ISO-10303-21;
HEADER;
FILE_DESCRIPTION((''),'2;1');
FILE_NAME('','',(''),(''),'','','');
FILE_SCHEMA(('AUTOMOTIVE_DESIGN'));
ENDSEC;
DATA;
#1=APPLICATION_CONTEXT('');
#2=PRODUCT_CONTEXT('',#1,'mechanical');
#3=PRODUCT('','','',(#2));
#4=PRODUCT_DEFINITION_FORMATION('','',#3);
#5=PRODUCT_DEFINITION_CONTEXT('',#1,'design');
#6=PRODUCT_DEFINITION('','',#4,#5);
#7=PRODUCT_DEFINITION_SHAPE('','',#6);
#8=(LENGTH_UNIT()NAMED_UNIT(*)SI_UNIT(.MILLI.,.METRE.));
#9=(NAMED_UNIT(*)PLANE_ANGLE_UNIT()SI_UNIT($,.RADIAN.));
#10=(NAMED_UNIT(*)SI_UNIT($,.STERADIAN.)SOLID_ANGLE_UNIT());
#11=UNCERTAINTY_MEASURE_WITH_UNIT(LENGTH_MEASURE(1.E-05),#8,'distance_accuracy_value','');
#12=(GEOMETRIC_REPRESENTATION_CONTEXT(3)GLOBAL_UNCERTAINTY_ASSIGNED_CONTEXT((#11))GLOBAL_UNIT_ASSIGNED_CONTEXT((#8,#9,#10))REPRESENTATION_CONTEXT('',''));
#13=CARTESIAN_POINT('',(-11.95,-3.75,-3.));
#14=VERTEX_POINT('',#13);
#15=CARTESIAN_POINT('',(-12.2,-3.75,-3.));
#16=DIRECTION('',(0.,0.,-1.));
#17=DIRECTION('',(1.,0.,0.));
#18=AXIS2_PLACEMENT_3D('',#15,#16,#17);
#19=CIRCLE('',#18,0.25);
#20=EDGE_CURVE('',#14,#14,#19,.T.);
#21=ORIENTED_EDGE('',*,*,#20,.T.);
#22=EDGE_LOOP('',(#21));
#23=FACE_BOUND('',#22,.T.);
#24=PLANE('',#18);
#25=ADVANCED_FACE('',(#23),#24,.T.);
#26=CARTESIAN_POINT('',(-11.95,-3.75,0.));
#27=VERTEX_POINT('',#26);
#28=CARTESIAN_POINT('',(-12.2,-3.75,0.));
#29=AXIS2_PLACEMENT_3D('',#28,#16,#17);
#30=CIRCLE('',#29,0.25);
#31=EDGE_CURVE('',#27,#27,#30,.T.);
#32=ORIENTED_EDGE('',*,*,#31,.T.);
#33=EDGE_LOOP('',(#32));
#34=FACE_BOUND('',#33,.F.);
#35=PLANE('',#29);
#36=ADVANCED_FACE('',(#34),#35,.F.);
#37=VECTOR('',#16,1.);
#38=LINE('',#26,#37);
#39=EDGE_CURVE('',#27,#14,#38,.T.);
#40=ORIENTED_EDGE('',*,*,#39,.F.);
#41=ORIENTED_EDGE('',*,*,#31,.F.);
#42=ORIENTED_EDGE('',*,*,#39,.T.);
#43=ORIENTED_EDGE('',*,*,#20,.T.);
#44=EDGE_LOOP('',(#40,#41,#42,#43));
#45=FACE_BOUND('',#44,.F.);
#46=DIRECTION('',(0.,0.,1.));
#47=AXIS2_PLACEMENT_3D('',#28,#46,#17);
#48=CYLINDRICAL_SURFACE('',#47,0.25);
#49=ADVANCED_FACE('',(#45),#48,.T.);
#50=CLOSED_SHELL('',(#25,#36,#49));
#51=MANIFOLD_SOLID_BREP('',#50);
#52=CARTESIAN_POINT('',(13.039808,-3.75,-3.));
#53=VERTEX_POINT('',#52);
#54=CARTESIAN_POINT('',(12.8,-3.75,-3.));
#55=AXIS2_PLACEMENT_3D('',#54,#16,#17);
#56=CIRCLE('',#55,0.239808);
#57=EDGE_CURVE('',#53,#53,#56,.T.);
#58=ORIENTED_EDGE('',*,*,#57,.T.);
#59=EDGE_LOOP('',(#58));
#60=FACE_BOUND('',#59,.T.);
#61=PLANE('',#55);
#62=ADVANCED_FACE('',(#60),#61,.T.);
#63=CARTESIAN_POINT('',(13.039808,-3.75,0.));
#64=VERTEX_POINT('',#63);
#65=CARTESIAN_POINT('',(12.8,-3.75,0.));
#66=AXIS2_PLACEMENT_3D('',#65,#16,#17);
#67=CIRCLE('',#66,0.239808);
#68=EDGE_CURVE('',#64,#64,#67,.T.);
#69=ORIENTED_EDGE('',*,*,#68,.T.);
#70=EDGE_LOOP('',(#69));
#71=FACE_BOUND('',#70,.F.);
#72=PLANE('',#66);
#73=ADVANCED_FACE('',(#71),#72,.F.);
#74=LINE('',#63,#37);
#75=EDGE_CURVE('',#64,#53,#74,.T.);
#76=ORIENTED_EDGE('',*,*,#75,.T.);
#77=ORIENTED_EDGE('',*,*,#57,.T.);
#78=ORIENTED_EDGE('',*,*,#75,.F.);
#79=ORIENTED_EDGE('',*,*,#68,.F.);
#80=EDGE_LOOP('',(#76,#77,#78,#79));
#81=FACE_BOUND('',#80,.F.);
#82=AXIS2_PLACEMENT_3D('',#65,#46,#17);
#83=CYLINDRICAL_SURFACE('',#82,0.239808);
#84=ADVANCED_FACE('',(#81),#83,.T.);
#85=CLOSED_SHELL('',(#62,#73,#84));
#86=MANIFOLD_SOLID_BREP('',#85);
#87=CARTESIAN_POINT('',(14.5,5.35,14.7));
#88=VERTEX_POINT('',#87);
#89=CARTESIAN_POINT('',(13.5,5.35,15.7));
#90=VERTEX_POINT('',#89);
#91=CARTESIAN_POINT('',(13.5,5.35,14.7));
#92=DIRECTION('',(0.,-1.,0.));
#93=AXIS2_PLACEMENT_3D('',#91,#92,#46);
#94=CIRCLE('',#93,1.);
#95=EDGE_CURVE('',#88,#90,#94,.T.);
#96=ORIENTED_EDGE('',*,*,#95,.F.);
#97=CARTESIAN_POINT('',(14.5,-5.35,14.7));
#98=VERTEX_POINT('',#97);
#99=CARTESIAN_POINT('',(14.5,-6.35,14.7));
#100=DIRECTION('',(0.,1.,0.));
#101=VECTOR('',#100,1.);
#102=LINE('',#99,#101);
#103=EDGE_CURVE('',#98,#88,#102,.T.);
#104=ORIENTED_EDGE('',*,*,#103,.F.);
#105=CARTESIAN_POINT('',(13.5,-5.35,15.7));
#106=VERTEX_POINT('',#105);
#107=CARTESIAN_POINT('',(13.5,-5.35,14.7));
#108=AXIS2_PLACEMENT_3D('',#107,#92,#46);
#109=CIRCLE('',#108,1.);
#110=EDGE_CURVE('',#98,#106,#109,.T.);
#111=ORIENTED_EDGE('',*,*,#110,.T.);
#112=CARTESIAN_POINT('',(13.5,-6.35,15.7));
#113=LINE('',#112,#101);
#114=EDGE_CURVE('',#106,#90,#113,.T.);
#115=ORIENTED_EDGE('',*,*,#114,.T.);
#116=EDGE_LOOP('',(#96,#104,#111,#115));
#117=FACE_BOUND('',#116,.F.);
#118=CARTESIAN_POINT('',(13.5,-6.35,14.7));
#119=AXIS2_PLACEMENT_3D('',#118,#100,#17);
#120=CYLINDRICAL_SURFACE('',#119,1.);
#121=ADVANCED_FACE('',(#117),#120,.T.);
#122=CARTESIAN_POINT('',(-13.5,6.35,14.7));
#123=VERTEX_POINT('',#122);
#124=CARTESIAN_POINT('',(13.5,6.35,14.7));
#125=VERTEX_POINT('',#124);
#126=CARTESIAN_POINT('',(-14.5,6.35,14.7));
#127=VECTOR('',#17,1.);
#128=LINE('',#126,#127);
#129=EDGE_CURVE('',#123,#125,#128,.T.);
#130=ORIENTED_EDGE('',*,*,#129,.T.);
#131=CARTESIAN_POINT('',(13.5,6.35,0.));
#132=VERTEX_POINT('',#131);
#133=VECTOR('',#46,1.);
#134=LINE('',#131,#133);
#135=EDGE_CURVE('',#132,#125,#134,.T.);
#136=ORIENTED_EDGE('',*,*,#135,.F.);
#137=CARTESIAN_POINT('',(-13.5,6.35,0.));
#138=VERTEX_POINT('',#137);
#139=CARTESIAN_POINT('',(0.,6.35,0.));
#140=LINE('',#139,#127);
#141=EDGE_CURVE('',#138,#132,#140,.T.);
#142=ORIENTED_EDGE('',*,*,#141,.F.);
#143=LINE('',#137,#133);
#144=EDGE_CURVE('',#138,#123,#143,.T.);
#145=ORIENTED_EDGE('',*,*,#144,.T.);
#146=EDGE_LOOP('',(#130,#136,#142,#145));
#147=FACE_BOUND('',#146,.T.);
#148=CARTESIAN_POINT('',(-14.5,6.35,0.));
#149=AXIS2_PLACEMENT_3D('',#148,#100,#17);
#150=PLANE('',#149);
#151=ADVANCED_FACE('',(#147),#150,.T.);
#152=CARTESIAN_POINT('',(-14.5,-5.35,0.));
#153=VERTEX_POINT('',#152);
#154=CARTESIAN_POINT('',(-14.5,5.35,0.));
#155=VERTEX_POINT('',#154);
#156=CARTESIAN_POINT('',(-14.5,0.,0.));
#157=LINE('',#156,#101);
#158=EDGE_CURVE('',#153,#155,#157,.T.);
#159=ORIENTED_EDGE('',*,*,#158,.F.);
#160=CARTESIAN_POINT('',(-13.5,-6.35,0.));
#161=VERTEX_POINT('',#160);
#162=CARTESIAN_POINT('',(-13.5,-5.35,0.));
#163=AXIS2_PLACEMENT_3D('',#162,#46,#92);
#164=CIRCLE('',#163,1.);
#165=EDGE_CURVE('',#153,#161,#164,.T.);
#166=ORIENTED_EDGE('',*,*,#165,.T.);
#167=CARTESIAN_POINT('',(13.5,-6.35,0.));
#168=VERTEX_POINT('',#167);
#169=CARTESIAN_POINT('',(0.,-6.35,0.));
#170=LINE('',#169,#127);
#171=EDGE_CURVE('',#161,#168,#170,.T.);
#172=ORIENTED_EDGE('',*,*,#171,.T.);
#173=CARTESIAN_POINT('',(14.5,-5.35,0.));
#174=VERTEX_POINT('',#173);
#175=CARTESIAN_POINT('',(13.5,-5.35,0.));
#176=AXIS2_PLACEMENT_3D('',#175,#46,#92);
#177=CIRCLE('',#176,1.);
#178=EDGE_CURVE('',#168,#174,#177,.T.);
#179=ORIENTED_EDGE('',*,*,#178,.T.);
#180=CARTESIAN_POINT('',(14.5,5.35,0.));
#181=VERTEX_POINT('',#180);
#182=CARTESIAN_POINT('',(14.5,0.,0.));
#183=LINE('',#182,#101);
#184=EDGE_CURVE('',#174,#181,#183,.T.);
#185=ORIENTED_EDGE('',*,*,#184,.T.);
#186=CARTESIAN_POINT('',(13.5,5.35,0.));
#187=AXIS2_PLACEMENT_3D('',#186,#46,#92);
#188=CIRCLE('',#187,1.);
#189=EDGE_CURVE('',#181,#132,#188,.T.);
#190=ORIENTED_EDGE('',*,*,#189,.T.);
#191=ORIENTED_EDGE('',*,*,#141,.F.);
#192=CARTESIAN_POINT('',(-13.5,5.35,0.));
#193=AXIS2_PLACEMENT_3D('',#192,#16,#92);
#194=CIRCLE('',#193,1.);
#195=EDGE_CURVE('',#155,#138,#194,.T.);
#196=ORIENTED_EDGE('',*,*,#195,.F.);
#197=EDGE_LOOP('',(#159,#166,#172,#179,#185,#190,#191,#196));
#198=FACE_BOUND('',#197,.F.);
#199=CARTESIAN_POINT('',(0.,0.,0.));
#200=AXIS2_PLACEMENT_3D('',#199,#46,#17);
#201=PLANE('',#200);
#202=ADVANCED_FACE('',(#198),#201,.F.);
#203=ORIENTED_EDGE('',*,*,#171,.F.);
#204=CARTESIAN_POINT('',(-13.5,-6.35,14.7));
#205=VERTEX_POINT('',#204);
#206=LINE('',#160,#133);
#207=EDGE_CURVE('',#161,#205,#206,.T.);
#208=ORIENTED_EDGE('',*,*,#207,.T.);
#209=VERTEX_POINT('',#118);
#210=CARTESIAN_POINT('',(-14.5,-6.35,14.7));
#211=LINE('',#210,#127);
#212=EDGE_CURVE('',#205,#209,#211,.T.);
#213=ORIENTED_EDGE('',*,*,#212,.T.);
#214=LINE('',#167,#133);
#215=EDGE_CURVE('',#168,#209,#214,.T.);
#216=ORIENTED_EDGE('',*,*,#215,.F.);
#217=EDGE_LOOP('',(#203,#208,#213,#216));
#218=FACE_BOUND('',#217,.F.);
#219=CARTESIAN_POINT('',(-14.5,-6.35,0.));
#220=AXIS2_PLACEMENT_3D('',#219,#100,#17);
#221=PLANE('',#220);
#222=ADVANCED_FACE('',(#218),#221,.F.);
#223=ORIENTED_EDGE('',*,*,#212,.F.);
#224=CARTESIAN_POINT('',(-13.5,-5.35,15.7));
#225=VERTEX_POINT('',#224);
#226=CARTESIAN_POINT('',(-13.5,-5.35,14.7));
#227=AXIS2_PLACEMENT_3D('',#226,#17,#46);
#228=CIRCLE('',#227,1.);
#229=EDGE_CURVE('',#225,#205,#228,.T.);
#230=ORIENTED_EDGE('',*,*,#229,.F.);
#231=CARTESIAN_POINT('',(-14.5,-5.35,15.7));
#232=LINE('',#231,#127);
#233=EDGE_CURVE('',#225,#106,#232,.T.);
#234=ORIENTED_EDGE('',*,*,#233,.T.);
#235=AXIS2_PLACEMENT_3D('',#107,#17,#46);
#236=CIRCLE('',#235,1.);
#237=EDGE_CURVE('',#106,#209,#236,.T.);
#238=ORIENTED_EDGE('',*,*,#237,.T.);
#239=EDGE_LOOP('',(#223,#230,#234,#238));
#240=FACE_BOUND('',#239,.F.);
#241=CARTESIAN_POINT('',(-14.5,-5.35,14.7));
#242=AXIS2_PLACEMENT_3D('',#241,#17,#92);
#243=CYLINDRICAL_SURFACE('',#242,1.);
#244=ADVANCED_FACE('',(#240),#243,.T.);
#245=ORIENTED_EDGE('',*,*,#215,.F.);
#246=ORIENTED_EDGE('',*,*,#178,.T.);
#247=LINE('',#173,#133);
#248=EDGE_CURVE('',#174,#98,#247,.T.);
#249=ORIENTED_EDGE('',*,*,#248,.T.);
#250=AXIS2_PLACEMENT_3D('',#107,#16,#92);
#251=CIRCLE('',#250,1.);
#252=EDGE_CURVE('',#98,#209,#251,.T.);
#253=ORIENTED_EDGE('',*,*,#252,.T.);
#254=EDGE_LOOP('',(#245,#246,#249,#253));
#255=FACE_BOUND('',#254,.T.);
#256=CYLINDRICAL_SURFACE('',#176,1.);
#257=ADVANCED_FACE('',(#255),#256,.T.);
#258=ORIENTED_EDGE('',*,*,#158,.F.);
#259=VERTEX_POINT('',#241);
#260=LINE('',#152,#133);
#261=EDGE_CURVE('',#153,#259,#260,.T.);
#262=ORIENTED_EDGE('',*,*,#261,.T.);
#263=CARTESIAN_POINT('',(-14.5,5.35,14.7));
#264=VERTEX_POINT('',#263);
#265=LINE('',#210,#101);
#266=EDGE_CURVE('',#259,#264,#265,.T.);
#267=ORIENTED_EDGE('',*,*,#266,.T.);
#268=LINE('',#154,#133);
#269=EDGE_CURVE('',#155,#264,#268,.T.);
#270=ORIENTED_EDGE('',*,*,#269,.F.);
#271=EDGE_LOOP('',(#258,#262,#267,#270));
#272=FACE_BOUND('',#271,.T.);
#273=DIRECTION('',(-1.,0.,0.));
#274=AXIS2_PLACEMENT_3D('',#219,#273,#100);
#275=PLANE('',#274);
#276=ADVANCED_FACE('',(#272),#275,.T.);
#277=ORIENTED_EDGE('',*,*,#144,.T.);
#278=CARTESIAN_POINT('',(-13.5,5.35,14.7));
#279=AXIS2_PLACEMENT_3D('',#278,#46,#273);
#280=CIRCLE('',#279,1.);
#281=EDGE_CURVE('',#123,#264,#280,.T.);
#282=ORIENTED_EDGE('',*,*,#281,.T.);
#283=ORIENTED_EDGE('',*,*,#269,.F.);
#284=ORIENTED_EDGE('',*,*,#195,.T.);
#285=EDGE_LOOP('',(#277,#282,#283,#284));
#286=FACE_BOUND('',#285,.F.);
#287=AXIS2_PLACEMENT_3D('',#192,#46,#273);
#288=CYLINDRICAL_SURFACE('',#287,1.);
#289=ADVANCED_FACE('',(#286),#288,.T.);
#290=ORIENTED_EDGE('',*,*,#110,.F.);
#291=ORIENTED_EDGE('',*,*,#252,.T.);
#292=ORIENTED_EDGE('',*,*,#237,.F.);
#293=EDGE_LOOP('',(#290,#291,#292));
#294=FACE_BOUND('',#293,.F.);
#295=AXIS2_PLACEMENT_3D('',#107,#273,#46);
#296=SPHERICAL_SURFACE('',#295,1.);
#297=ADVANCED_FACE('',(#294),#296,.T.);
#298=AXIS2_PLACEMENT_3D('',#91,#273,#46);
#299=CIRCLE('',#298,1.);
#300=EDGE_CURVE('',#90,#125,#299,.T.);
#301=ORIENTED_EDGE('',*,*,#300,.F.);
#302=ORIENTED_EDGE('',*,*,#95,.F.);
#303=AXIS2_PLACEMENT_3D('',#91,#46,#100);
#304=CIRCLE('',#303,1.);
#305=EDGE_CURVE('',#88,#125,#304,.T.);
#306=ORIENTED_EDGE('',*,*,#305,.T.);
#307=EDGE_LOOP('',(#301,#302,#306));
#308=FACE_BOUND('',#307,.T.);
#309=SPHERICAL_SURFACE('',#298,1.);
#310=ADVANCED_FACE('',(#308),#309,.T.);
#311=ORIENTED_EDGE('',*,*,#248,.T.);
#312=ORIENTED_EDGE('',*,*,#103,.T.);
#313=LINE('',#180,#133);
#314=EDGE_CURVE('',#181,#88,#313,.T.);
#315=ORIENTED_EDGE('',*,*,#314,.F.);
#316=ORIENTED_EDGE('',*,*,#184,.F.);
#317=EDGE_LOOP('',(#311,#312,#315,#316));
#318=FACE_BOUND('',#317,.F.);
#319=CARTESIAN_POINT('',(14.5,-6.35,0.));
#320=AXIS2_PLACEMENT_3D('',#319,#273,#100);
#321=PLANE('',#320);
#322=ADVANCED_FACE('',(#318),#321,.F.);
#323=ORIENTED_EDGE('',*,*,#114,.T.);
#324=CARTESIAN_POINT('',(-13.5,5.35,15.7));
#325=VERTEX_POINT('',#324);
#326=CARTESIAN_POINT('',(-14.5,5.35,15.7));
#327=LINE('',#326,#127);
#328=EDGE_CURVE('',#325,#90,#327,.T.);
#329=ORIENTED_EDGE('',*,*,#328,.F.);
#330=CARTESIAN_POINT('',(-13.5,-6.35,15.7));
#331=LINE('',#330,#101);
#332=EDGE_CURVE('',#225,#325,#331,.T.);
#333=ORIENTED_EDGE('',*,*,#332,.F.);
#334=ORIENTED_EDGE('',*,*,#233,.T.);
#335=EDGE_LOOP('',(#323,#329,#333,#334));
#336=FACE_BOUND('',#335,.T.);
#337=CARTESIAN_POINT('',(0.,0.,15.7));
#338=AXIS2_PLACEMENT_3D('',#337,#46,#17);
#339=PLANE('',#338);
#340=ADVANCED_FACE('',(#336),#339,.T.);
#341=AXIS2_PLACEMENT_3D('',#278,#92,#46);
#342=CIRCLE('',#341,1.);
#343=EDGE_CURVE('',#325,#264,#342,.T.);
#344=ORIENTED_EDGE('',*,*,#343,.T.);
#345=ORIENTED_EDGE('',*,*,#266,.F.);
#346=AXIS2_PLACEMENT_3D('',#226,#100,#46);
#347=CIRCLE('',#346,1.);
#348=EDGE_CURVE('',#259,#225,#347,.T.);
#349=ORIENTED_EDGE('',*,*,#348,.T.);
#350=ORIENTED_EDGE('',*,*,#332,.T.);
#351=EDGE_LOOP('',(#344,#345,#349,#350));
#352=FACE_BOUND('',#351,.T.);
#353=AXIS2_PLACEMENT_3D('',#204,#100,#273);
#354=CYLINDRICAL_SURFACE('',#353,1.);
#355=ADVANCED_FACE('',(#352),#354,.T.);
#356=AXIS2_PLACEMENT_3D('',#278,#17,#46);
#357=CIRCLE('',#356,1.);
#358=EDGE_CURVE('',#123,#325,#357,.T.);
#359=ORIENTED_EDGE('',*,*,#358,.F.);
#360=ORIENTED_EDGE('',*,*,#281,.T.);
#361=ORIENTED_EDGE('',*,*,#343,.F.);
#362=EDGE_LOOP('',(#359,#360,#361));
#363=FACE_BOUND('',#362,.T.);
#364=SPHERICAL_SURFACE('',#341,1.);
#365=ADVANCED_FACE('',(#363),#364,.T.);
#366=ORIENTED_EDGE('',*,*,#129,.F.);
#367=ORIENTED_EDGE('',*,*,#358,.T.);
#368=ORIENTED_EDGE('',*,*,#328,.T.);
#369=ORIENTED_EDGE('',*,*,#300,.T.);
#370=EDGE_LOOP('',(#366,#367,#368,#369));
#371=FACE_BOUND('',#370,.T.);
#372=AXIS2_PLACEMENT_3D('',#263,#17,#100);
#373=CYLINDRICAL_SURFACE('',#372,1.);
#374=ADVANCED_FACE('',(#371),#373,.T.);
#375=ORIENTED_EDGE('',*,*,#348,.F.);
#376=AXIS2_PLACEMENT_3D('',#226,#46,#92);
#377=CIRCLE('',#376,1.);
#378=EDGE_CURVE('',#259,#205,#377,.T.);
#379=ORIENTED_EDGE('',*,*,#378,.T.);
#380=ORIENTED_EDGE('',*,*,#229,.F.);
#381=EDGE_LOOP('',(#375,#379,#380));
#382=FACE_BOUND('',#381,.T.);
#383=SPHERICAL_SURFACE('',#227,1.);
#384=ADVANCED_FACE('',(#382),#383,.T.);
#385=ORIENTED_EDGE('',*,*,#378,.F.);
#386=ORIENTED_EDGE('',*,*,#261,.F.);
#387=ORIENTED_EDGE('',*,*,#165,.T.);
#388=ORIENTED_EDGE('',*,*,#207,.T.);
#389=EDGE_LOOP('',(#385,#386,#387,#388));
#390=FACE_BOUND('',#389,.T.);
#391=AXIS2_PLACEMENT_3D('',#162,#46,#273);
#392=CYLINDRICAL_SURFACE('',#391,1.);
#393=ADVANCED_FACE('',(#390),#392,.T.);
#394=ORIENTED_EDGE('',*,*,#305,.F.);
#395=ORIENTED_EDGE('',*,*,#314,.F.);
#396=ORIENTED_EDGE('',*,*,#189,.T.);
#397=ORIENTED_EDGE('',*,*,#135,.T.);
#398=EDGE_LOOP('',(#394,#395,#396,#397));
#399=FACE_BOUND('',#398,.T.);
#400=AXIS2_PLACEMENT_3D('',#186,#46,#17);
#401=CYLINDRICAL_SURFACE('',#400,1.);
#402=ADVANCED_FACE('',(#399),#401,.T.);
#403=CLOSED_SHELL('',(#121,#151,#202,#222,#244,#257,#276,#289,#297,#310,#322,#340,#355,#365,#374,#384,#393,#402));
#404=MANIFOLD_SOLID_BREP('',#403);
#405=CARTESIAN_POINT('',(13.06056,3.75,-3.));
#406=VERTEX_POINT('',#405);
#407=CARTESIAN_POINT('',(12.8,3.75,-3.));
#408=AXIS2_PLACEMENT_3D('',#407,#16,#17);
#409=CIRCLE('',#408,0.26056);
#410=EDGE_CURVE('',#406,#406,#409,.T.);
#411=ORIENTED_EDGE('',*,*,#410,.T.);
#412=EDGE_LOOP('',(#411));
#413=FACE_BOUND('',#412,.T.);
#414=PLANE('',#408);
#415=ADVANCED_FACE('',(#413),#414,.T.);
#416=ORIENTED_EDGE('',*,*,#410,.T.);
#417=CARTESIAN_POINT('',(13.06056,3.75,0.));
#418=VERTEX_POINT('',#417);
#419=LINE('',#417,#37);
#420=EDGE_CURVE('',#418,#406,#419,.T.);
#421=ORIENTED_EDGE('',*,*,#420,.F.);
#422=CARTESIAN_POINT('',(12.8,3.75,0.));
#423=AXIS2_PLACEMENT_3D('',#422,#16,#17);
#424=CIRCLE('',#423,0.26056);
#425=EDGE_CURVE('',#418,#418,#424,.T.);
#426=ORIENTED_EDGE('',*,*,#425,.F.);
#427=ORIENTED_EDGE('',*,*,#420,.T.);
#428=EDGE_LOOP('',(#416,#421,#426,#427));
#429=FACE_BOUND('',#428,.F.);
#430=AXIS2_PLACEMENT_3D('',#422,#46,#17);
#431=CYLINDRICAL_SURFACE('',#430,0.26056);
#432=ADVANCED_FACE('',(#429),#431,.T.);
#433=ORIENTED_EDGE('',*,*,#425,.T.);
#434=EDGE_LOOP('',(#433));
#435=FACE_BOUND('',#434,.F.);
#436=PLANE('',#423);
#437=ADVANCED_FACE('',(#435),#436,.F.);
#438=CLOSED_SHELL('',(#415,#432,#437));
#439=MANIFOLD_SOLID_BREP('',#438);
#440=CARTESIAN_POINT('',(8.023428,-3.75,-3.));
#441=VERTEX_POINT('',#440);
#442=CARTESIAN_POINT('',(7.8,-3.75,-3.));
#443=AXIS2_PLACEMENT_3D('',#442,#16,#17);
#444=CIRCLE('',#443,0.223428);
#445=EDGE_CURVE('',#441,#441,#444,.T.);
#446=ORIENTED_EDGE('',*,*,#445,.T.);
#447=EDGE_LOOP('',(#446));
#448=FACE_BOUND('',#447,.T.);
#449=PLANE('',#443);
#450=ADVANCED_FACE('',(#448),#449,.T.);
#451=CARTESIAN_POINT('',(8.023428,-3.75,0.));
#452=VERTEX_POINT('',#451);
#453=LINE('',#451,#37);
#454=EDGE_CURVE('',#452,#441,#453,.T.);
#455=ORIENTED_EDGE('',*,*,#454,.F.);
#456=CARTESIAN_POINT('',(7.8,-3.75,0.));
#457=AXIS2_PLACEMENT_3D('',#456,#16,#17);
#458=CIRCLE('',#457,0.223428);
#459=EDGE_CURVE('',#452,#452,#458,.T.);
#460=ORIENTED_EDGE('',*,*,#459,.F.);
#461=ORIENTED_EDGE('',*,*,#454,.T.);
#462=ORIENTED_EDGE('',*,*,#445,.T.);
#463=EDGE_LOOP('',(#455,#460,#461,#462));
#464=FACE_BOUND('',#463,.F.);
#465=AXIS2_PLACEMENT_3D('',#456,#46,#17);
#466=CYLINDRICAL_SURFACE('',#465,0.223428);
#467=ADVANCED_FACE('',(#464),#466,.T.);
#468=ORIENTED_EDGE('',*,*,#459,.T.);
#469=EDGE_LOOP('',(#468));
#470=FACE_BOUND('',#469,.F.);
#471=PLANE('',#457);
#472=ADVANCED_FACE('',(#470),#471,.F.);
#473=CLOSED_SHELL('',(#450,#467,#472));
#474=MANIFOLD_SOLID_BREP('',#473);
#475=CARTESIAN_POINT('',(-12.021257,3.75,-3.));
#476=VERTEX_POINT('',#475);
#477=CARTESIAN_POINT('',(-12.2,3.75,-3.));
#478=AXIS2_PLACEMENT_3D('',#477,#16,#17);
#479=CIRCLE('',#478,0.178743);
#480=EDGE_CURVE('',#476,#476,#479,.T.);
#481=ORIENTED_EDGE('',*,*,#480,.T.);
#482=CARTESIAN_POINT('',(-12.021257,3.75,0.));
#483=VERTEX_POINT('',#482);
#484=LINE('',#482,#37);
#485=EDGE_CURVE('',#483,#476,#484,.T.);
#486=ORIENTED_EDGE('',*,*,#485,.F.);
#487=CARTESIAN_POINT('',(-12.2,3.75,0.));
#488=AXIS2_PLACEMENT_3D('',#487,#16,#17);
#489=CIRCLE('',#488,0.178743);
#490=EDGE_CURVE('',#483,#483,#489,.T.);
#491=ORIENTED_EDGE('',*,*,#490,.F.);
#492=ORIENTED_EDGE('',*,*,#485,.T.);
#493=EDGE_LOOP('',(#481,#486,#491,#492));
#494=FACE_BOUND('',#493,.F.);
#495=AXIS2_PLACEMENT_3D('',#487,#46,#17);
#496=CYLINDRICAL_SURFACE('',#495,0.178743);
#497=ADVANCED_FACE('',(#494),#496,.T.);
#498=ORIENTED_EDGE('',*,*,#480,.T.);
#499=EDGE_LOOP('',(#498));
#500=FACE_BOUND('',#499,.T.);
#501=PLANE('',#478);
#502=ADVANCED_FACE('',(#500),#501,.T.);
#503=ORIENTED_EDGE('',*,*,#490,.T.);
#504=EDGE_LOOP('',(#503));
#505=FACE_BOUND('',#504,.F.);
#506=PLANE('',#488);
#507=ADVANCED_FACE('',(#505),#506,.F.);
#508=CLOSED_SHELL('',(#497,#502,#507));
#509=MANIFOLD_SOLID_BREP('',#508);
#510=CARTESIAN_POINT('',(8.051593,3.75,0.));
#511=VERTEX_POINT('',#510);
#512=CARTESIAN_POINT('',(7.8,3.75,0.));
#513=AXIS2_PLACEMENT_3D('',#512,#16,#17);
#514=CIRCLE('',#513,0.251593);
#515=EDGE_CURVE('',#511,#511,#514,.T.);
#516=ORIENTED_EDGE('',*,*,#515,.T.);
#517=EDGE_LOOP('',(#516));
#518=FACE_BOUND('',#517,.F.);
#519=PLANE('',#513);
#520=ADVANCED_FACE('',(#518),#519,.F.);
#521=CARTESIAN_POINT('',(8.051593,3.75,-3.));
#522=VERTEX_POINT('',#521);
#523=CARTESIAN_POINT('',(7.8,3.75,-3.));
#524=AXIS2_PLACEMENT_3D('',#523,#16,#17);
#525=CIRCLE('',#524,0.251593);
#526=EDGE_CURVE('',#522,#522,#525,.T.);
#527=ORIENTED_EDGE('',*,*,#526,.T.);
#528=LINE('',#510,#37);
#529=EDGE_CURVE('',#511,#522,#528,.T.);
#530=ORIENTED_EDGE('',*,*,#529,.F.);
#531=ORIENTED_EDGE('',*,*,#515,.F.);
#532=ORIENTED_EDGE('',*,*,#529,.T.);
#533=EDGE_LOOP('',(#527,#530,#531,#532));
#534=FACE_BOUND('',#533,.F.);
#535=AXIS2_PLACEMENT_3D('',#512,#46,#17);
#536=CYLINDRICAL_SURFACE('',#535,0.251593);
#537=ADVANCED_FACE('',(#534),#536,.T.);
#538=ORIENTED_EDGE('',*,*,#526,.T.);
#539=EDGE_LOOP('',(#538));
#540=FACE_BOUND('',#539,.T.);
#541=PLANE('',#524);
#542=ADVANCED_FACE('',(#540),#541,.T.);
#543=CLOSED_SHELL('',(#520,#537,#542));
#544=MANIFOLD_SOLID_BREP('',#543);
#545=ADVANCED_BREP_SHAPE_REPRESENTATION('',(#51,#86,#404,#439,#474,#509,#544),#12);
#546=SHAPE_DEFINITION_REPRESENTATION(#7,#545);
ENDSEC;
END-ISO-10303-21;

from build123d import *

# Parameters (mm, degrees)
F0_W     = 29
F0_H     = 12.7
F1_DEPTH = 15.7
F2_R     = 0.25
F2_R_2   = 0.178743
F2_R_3   = 0.223428
F2_R_4   = 0.239808
F2_R_5   = 0.251593
F2_R_6   = 0.26056
F3_DEPTH = 3
F4_R     = 1


with BuildPart() as f1:
    # F0 (on Top) → F1 (new body)
    with BuildSketch(Plane.XY):
        Rectangle(F0_W, F0_H)
    extrude(amount=F1_DEPTH)

    # F4
    f4_edges = [f1.edges().sort_by_distance(p)[0] for p in [
        (0, -6.35, 15.7),
        (-14.5, 0, 15.7),
        (0, 6.35, 15.7),
        (14.5, 0, 15.7),
        (14.5, -6.35, 7.85),
        (14.5, 6.35, 7.85),
        (-14.5, -6.35, 7.85),
        (-14.5, 6.35, 7.85),
    ]]
    fillet(f4_edges, radius=F4_R)


with BuildPart() as f3:
    # F2 (on face) → F3 (new body)
    with BuildSketch(Plane(origin=(0, 0, 0), x_dir=(1, 0, 0), z_dir=(0, 0, -1))):
        with Locations((-12.2, 3.75)):
            Circle(F2_R)
        with Locations((-12.2, -3.75)):
            Circle(F2_R_2)
        with Locations((7.8, 3.75)):
            Circle(F2_R_3)
        with Locations((12.8, 3.75)):
            Circle(F2_R_4)
        with Locations((7.8, -3.75)):
            Circle(F2_R_5)
        with Locations((12.8, -3.75)):
            Circle(F2_R_6)
    extrude(amount=F3_DEPTH)


solid = Compound([f1.part, f3.part])
